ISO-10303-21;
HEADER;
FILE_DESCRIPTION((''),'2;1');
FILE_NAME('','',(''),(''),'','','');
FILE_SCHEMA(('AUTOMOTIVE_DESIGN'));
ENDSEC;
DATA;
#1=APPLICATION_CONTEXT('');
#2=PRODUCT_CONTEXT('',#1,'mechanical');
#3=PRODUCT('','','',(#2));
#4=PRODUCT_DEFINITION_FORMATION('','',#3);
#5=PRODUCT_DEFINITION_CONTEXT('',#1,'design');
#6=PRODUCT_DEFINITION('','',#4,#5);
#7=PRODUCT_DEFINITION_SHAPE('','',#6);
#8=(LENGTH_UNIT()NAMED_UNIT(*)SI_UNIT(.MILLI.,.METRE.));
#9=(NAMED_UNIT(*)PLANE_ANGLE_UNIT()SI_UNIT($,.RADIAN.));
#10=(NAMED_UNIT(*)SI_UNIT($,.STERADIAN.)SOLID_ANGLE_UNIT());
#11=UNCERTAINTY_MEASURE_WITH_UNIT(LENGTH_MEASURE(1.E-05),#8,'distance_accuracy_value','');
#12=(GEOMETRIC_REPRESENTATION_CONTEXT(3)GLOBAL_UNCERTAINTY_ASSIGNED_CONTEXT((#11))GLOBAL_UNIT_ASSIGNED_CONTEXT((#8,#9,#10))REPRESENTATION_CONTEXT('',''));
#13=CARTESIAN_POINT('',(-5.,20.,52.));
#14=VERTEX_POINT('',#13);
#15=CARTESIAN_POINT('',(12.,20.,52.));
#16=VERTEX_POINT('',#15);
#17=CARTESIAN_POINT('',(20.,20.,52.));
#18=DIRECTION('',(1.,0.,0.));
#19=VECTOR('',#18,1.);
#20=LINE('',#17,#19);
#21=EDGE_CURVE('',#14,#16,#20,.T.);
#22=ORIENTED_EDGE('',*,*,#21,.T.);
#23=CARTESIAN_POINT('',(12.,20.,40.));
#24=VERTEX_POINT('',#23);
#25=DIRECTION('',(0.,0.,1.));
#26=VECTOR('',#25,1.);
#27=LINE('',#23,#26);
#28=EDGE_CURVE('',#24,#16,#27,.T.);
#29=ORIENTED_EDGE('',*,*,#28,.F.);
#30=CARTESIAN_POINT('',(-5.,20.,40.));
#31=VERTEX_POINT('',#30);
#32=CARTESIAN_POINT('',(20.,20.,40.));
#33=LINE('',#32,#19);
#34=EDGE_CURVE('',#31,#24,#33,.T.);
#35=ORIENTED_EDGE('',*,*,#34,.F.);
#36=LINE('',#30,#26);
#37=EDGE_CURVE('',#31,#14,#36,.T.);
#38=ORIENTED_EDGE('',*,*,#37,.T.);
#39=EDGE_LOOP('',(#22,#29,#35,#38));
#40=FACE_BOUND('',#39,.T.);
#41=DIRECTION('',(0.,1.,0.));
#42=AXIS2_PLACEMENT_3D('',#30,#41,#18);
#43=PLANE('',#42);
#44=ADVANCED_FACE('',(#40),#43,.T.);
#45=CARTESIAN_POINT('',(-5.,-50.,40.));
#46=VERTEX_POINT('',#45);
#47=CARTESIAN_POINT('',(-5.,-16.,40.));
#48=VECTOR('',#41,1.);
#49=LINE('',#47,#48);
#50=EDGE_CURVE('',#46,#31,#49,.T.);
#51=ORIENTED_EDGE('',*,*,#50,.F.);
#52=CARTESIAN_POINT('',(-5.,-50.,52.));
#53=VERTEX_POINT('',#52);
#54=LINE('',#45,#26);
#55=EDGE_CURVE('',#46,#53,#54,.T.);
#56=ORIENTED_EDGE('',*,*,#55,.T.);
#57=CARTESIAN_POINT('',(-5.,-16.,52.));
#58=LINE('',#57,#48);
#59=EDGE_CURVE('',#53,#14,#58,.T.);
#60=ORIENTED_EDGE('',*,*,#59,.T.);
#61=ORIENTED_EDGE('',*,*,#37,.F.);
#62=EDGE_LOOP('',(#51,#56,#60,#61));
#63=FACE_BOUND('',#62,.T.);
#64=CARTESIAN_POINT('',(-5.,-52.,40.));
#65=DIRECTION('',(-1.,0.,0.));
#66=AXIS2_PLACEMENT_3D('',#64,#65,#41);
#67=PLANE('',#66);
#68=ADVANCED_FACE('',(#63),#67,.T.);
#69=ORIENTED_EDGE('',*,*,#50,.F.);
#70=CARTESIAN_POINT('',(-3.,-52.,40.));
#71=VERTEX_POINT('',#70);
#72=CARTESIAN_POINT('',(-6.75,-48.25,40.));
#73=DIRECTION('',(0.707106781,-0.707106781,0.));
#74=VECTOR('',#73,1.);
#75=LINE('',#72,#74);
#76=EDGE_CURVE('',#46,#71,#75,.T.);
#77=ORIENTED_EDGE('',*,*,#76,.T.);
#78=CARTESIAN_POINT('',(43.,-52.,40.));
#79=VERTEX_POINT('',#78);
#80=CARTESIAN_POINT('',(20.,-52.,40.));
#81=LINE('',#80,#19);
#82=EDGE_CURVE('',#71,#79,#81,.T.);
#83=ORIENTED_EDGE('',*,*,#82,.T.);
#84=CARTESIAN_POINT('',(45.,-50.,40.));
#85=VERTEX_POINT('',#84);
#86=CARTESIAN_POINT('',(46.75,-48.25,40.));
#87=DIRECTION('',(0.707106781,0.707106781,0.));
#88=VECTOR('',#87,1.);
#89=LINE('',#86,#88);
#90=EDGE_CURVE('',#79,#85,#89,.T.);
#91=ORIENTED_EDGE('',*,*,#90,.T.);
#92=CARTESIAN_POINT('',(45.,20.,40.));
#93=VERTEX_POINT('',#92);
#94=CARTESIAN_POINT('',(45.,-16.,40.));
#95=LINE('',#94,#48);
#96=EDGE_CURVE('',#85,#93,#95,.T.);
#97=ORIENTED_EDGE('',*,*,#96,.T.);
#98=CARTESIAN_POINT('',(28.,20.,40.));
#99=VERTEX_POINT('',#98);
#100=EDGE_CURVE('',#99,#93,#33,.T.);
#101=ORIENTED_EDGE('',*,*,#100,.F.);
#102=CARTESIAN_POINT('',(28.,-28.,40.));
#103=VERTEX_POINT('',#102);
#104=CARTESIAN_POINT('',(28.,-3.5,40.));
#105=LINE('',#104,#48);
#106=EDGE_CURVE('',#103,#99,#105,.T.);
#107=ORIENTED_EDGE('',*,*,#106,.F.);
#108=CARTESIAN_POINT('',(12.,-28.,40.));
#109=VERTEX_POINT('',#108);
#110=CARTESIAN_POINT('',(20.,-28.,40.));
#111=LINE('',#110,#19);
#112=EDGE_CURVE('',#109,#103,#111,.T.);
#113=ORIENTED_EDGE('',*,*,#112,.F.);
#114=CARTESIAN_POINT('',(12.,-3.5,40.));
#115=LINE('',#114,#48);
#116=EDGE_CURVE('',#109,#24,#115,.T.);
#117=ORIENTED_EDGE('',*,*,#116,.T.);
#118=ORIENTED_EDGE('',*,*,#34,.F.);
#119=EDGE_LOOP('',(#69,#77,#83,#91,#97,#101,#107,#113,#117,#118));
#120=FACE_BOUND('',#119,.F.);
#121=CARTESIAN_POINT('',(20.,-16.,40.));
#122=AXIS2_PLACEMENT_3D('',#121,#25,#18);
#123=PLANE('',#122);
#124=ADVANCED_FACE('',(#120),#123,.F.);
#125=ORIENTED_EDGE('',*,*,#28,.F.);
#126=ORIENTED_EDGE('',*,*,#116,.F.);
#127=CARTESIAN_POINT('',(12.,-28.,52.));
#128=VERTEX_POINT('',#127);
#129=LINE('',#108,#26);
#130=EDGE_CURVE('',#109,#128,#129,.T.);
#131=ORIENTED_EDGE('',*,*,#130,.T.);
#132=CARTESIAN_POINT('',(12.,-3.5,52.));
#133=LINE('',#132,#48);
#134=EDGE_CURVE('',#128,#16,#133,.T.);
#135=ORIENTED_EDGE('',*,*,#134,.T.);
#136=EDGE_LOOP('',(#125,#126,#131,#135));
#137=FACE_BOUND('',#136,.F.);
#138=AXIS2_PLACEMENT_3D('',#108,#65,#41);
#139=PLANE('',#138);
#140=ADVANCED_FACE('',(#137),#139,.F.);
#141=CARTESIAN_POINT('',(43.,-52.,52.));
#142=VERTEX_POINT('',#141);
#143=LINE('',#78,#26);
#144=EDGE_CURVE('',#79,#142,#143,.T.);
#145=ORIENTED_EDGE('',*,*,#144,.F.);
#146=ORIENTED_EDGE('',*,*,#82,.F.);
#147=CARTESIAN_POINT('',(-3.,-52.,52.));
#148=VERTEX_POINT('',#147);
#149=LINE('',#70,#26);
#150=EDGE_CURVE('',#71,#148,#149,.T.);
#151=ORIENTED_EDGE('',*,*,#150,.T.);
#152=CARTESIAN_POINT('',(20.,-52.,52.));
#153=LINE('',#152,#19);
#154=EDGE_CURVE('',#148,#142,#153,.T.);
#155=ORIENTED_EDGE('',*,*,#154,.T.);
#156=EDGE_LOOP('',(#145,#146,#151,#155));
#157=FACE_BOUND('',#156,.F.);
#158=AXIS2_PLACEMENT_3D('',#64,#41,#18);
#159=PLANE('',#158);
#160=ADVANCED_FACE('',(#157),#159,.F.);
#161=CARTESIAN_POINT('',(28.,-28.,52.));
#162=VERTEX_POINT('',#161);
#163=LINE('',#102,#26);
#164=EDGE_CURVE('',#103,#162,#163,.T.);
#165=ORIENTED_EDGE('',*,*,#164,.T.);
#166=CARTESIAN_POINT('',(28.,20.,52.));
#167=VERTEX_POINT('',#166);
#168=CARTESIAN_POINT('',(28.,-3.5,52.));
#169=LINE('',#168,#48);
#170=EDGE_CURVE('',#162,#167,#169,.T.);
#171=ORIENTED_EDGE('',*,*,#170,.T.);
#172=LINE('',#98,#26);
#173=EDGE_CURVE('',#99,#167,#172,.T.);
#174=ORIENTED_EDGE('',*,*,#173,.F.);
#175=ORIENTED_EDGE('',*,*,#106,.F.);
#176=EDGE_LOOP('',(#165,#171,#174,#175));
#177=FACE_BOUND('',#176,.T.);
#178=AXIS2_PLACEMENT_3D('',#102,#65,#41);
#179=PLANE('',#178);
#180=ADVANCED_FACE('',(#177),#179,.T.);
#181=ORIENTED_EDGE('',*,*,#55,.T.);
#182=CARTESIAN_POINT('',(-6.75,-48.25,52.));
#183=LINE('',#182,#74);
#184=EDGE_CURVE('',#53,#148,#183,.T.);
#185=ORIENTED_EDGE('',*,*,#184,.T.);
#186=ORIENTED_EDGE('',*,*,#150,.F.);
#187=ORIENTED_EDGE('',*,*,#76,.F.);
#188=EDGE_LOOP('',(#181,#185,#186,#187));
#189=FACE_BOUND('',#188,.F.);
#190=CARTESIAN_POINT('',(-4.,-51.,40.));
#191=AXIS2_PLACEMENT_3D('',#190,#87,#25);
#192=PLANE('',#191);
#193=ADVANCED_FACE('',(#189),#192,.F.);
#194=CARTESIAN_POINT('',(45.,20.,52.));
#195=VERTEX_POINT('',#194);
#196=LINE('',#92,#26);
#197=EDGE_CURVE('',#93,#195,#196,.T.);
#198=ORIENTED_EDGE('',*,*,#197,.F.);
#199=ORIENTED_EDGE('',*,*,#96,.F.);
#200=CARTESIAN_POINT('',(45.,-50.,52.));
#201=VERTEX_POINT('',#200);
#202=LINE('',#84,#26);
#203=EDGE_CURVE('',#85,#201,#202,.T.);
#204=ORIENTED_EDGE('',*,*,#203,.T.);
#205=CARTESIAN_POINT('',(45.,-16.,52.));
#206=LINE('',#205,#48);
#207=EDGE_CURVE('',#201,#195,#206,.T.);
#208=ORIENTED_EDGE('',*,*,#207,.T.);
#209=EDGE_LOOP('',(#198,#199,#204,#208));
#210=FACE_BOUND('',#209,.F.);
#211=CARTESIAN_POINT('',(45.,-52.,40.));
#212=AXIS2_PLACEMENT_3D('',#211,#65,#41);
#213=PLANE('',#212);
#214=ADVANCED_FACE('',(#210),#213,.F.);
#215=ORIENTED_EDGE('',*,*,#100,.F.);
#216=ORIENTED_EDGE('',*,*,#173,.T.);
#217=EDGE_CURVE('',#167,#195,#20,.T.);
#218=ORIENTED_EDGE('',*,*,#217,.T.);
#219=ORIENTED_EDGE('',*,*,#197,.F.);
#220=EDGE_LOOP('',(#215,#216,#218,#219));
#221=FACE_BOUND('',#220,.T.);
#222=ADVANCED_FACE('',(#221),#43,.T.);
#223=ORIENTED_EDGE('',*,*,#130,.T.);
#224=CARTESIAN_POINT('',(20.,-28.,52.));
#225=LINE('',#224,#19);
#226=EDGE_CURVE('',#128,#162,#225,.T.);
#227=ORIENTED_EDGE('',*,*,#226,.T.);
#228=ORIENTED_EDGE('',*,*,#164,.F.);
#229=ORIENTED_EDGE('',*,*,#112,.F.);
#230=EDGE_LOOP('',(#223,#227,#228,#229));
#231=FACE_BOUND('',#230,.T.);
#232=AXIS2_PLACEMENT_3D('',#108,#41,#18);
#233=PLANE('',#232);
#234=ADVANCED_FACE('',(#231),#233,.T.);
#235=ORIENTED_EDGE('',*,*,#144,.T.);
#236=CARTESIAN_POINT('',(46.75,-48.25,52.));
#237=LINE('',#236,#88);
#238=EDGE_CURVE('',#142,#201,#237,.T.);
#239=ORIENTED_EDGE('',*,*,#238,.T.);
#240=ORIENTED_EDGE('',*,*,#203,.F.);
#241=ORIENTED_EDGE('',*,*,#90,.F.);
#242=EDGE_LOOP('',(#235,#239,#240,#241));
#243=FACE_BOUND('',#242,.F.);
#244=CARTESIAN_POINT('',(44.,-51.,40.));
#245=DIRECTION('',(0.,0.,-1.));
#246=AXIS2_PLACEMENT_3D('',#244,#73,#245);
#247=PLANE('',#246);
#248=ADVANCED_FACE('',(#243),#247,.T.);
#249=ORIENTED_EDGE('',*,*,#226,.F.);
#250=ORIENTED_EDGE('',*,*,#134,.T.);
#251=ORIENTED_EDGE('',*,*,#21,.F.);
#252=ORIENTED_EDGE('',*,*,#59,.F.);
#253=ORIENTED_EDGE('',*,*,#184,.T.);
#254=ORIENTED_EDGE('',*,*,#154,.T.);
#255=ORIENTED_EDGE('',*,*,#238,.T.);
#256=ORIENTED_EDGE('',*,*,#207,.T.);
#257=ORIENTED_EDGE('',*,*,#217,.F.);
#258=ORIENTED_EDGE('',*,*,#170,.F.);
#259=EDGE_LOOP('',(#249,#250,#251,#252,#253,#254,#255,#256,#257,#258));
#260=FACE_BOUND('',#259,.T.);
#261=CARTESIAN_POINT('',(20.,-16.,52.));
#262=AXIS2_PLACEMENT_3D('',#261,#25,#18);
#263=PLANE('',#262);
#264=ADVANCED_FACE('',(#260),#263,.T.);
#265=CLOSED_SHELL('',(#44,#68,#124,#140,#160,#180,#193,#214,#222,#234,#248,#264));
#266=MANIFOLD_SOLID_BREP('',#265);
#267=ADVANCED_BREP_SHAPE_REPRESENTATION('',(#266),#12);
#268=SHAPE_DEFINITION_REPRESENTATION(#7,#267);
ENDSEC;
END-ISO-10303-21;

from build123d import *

# Parameters (mm, degrees)
BOX022_W           = 16
BOX022_H           = 49
BOX022_DEPTH       = 12
BOX001_W           = 50
BOX001_H           = 72
BOX001_DEPTH       = 12
CHAMFER005002_SIZE = 2


with BuildPart() as middle_cut:
    # Box022 → Box022 (new body)
    with BuildSketch(Plane(origin=(12, -28, 40), x_dir=(1, 0, 0), z_dir=(0, 0, 1))):
        with Locations((8, 24.5)):
            Rectangle(BOX022_W, BOX022_H)
    extrude(amount=BOX022_DEPTH)


with BuildPart() as cut:
    # Box001 → Box001 (new body)
    with BuildSketch(Plane(origin=(-5, -52, 40), x_dir=(1, 0, 0), z_dir=(0, 0, 1))):
        with Locations((25, 36)):
            Rectangle(BOX001_W, BOX001_H)
    extrude(amount=BOX001_DEPTH)

    # Chamfer005002
    chamfer005002_edges = [cut.edges().sort_by_distance(p)[0] for p in [
        (-5, -52, 46),
        (45, -52, 46),
    ]]
    chamfer(chamfer005002_edges, length=CHAMFER005002_SIZE)

    # Cut: cut middle-cut
    add(middle_cut.part, mode=Mode.SUBTRACT)


solid = cut.part
